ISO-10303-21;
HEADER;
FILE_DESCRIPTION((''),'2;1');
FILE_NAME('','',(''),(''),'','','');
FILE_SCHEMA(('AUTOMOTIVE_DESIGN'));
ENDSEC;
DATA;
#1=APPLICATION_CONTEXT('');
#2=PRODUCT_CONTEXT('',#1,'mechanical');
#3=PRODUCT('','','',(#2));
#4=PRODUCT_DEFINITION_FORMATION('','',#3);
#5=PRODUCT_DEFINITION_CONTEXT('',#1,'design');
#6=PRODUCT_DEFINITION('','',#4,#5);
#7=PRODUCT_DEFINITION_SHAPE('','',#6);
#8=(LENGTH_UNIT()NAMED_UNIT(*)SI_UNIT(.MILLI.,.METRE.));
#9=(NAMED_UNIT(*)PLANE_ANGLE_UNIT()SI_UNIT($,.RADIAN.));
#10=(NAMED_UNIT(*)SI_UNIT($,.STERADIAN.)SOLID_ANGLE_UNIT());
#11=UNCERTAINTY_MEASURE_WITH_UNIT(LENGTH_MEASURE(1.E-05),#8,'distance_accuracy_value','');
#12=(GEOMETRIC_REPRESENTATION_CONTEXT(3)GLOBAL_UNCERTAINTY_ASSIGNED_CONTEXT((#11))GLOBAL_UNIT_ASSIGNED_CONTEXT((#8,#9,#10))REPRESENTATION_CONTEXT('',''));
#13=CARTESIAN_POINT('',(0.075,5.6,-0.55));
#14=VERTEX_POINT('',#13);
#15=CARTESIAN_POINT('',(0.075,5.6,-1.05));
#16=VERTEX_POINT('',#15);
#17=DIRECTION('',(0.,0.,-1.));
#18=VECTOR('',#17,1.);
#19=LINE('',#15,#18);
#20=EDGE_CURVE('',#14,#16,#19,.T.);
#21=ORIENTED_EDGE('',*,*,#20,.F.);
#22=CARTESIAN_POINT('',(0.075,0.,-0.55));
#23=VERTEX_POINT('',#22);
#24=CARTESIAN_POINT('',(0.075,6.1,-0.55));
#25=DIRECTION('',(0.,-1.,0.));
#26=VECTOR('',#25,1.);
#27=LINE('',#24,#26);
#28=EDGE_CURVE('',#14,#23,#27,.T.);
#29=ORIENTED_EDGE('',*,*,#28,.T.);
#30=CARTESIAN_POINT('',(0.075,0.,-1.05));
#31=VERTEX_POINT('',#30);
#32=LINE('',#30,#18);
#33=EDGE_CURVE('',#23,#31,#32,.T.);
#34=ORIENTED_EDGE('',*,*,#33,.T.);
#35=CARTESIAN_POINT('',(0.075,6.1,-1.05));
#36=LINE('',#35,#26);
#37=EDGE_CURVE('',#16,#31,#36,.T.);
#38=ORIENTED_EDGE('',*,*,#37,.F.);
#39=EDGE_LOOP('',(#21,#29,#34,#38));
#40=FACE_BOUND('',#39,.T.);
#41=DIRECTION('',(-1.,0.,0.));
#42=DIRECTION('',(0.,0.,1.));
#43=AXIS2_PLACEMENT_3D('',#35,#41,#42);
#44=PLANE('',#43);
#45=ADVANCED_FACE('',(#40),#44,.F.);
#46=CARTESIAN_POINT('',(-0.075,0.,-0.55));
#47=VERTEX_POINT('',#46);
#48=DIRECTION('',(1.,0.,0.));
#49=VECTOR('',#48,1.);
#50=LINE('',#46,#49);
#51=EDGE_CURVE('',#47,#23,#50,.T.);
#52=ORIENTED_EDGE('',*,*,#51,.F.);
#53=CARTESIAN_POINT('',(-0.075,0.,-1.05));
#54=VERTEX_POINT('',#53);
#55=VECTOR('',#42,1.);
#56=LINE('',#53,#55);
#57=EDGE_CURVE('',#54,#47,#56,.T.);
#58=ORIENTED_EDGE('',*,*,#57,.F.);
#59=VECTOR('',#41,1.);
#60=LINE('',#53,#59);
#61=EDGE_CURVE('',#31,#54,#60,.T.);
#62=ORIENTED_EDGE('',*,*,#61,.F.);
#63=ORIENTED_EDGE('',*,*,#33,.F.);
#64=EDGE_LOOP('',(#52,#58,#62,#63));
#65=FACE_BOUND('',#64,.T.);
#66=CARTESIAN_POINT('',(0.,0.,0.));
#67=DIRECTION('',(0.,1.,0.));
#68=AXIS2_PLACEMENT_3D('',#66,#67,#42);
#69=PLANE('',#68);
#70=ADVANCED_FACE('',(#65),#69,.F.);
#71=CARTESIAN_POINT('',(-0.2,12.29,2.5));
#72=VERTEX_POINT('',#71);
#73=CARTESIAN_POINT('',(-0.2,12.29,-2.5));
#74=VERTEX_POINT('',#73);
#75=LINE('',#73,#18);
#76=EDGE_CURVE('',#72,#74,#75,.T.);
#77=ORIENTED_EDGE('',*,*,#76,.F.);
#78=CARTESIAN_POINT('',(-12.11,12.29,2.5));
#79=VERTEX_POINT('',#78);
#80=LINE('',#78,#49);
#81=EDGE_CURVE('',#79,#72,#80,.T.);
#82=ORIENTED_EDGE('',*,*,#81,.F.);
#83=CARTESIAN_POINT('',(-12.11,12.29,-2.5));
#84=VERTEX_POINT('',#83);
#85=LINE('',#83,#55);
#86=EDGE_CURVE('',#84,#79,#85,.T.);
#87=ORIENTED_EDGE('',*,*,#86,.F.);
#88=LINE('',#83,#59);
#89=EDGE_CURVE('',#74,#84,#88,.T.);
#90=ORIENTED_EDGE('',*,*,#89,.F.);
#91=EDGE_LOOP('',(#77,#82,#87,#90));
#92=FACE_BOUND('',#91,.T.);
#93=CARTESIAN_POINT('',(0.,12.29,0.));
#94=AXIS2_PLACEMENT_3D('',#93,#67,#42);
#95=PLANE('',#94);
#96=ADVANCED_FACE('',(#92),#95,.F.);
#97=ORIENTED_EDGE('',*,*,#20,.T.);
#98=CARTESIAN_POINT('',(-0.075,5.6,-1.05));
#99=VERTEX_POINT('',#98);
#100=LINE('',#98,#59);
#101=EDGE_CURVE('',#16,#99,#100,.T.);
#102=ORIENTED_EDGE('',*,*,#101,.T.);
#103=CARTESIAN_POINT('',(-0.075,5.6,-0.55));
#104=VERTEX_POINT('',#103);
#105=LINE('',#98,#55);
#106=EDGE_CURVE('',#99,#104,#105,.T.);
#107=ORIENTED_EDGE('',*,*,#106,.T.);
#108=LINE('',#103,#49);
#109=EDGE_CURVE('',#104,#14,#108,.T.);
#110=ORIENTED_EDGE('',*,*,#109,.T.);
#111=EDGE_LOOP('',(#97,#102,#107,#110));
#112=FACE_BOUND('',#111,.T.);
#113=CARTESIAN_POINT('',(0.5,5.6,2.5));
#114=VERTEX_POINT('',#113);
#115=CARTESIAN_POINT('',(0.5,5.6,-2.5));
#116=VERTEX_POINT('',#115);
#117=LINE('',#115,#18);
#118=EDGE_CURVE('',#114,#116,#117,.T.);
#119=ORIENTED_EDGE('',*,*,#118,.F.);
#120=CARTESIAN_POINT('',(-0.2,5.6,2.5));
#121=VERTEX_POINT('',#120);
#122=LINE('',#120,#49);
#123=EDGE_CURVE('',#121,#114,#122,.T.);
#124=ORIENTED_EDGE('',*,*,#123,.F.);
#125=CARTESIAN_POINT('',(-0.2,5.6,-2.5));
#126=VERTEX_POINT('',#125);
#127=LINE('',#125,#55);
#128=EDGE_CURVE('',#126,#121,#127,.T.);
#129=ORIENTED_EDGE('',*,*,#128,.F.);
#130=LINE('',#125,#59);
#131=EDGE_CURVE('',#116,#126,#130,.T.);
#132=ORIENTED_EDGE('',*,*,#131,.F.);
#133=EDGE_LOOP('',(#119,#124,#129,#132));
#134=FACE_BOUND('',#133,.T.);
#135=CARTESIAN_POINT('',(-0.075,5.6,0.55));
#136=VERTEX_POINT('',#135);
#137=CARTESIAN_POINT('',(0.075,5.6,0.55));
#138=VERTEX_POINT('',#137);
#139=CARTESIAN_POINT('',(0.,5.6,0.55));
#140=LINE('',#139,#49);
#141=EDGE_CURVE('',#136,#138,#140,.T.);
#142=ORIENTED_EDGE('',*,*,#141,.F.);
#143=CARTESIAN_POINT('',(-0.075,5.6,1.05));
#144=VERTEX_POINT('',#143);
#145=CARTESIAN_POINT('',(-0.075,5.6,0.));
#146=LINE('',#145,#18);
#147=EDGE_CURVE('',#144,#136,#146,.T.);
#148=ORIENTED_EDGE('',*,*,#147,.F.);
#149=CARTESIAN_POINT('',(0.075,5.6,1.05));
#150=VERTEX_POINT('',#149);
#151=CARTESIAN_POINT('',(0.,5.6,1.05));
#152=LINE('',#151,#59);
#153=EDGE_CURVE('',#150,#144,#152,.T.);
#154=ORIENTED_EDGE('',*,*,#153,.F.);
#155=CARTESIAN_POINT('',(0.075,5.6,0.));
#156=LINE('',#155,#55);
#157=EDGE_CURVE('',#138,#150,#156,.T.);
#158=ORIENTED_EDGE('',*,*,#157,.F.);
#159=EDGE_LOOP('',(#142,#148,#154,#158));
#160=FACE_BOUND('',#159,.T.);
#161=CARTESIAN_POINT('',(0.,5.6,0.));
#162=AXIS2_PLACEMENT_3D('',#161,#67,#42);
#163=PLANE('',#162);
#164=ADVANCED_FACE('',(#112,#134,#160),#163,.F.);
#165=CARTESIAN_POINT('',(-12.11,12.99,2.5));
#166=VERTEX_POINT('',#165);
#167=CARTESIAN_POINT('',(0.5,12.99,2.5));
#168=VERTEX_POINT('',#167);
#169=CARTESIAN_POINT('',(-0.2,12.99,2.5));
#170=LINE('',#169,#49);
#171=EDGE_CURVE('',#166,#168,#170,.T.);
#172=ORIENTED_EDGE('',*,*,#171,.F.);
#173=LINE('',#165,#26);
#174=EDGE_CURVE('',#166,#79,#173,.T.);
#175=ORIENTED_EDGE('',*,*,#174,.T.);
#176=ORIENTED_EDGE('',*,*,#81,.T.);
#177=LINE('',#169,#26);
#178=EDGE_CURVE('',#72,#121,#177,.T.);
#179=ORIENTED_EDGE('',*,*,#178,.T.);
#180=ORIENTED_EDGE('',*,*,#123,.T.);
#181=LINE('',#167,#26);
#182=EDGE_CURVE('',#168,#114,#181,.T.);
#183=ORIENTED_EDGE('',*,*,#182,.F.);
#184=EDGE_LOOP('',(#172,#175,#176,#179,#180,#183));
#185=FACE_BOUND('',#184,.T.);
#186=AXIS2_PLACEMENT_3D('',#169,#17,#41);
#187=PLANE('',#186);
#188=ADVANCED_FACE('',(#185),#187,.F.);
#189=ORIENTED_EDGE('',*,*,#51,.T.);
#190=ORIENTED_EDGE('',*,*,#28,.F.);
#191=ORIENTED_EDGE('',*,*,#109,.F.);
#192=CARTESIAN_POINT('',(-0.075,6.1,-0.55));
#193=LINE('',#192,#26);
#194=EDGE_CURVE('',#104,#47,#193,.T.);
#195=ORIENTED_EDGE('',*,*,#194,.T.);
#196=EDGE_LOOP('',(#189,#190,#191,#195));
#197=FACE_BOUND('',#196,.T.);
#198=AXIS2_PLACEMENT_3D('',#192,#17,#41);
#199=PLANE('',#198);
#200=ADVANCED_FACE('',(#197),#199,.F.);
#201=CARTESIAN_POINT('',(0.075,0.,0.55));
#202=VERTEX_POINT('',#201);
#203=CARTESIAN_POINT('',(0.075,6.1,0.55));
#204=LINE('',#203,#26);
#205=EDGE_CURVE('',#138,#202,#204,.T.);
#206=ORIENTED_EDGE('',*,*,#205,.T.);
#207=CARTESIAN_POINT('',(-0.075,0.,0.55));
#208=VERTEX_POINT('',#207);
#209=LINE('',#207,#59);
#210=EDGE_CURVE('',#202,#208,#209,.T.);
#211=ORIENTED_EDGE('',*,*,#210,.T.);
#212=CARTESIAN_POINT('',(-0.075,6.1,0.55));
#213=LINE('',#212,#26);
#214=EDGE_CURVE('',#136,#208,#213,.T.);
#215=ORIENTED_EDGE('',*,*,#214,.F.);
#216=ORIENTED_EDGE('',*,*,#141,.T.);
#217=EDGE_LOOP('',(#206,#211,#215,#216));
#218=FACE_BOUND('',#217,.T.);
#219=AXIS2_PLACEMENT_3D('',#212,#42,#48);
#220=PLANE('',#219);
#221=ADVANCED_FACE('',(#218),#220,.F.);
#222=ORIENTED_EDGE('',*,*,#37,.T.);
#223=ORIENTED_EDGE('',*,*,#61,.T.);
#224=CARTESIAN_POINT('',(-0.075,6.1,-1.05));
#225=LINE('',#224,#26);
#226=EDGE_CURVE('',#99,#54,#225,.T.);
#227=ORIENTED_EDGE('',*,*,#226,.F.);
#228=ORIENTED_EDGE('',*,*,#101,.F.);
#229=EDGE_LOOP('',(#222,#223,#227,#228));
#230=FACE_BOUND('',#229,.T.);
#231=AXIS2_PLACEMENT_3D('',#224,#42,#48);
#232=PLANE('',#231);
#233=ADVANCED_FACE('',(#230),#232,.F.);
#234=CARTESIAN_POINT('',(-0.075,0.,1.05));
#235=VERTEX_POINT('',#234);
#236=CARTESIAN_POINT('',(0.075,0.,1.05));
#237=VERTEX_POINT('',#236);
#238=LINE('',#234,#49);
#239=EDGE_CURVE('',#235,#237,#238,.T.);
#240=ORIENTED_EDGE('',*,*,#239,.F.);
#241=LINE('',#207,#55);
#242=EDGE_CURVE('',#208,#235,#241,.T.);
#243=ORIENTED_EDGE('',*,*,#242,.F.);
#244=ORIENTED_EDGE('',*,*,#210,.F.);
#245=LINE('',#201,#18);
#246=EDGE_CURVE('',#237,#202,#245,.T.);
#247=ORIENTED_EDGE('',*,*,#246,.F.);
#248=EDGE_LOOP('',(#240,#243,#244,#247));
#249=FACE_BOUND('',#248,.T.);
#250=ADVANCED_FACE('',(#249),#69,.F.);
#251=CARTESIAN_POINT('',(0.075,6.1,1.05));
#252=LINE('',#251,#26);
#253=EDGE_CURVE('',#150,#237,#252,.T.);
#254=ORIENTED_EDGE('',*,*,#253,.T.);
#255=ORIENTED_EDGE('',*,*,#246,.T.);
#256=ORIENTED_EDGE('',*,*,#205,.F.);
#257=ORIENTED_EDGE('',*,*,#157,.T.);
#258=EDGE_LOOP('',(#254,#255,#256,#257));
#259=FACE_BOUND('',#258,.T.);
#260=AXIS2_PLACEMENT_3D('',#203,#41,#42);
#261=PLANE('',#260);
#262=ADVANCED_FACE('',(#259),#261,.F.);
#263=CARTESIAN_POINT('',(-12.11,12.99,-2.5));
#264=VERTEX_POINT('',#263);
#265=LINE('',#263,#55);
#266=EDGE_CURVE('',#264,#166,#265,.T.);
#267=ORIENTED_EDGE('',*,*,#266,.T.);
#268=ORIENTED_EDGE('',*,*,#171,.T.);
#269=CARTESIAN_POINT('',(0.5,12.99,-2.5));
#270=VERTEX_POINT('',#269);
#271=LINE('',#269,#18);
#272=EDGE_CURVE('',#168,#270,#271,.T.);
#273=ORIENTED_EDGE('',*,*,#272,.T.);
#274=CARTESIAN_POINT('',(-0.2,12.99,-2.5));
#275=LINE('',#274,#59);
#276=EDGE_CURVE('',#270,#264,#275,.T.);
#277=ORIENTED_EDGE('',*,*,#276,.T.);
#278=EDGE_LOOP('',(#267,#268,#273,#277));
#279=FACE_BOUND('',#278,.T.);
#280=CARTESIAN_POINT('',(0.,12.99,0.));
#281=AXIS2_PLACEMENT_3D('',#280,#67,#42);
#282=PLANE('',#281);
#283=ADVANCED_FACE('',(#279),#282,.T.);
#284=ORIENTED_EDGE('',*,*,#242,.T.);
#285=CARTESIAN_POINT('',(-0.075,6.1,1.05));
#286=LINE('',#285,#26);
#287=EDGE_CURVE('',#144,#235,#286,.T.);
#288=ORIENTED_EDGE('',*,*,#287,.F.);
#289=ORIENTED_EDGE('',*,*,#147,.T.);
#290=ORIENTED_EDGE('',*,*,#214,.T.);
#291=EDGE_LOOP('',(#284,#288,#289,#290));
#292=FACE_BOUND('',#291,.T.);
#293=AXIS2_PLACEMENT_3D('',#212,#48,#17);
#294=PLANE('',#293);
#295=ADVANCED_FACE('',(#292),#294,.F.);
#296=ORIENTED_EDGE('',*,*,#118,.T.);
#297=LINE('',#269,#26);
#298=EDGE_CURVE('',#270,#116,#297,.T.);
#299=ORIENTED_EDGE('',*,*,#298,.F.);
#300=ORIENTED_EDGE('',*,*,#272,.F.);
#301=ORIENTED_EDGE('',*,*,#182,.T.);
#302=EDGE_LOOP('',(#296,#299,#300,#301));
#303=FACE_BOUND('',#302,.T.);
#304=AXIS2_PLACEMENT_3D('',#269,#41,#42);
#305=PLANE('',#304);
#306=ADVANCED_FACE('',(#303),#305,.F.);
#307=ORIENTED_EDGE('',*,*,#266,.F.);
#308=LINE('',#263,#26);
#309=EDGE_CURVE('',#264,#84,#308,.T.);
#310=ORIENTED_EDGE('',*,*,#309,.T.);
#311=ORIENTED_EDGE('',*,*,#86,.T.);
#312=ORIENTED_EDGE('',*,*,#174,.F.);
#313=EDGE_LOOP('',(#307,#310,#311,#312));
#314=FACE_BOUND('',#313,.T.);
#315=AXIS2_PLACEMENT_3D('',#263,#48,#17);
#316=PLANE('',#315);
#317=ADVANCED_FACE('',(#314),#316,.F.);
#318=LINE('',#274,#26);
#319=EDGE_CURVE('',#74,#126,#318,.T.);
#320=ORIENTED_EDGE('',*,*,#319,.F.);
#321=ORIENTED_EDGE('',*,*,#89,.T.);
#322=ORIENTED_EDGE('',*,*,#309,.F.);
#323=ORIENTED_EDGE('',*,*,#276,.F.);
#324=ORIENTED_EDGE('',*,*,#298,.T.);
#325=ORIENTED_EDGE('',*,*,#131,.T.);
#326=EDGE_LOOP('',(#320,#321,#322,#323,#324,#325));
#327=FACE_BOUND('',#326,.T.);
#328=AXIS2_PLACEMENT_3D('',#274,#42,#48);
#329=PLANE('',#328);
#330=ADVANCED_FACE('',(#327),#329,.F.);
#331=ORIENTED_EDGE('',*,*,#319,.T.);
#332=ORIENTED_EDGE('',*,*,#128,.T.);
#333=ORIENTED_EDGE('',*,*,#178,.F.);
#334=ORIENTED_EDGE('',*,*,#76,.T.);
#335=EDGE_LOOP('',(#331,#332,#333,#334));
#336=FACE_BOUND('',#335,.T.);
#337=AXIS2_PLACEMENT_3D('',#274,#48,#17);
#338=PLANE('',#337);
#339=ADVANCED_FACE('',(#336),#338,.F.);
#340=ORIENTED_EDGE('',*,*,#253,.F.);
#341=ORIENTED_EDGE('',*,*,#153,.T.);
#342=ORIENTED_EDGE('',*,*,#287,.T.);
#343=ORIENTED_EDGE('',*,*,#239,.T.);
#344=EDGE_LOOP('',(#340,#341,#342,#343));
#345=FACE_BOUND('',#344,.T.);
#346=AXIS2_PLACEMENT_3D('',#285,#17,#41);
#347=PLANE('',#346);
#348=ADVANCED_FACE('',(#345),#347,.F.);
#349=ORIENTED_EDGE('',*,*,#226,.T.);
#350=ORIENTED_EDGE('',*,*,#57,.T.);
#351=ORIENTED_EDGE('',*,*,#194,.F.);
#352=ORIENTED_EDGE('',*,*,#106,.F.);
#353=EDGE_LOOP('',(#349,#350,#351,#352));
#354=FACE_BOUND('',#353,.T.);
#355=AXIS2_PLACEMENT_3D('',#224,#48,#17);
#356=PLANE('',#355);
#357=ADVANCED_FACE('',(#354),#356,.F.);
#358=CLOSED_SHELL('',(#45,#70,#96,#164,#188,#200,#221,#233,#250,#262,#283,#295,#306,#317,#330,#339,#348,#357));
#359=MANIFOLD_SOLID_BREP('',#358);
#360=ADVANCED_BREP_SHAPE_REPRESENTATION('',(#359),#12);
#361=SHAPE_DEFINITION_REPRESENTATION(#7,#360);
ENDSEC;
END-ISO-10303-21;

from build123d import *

# Parameters (mm, degrees)
SKETCH1_W                    = 0.15
SKETCH1_H                    = 0.5
LEGS_DEPTH                   = 6.1
LEGS_2_DEPTH                 = 6.1
FILM_START                   = 5.6
SKETCH2_W                    = 0.7
SKETCH2_H                    = 5
FILM_UP_THE_CELL_SIDE_DEPTH  = 7.39
FILM_START_2                 = 12.29
SKETCH3_W                    = 11.91
SKETCH3_H                    = 5
FILM_BETWEEN_THE_CELLS_DEPTH = 0.7


with BuildPart() as part:
    # Sketch1 → Legs (new body)
    with BuildSketch(Plane(origin=(0, 0, 0), x_dir=(1, 0, 0), z_dir=(0, 1, 0))):
        with Locations((0, 0.8)):
            Rectangle(SKETCH1_W, SKETCH1_H)
    extrude(amount=LEGS_DEPTH)



with BuildPart() as body_2:
    # Sketch1 → Legs 2 (new body)
    with BuildSketch(Plane(origin=(0, 0, 0), x_dir=(1, 0, 0), z_dir=(0, 1, 0))):
        with Locations((0, -0.8)):
            Rectangle(SKETCH1_W, SKETCH1_H)
    extrude(amount=LEGS_2_DEPTH)


with BuildPart() as part_1:
    add(part.part)

    add(body_2.part)  # Film up the cell side merges body 2
    # Sketch2 → Film up the cell side (add)
    with BuildSketch(Plane(origin=(0, 0, 0), x_dir=(1, 0, 0), z_dir=(0, 1, 0)).offset(FILM_START)):
        with Locations((0.15, 0)):
            Rectangle(SKETCH2_W, SKETCH2_H)
    extrude(amount=FILM_UP_THE_CELL_SIDE_DEPTH)

    # Sketch3 → Film between the cells (add)
    with BuildSketch(Plane(origin=(0, 0, 0), x_dir=(1, 0, 0), z_dir=(0, 1, 0)).offset(FILM_START_2)):
        with Locations((-6.155, 0)):
            Rectangle(SKETCH3_W, SKETCH3_H)
    extrude(amount=FILM_BETWEEN_THE_CELLS_DEPTH)


solid = part_1.part
